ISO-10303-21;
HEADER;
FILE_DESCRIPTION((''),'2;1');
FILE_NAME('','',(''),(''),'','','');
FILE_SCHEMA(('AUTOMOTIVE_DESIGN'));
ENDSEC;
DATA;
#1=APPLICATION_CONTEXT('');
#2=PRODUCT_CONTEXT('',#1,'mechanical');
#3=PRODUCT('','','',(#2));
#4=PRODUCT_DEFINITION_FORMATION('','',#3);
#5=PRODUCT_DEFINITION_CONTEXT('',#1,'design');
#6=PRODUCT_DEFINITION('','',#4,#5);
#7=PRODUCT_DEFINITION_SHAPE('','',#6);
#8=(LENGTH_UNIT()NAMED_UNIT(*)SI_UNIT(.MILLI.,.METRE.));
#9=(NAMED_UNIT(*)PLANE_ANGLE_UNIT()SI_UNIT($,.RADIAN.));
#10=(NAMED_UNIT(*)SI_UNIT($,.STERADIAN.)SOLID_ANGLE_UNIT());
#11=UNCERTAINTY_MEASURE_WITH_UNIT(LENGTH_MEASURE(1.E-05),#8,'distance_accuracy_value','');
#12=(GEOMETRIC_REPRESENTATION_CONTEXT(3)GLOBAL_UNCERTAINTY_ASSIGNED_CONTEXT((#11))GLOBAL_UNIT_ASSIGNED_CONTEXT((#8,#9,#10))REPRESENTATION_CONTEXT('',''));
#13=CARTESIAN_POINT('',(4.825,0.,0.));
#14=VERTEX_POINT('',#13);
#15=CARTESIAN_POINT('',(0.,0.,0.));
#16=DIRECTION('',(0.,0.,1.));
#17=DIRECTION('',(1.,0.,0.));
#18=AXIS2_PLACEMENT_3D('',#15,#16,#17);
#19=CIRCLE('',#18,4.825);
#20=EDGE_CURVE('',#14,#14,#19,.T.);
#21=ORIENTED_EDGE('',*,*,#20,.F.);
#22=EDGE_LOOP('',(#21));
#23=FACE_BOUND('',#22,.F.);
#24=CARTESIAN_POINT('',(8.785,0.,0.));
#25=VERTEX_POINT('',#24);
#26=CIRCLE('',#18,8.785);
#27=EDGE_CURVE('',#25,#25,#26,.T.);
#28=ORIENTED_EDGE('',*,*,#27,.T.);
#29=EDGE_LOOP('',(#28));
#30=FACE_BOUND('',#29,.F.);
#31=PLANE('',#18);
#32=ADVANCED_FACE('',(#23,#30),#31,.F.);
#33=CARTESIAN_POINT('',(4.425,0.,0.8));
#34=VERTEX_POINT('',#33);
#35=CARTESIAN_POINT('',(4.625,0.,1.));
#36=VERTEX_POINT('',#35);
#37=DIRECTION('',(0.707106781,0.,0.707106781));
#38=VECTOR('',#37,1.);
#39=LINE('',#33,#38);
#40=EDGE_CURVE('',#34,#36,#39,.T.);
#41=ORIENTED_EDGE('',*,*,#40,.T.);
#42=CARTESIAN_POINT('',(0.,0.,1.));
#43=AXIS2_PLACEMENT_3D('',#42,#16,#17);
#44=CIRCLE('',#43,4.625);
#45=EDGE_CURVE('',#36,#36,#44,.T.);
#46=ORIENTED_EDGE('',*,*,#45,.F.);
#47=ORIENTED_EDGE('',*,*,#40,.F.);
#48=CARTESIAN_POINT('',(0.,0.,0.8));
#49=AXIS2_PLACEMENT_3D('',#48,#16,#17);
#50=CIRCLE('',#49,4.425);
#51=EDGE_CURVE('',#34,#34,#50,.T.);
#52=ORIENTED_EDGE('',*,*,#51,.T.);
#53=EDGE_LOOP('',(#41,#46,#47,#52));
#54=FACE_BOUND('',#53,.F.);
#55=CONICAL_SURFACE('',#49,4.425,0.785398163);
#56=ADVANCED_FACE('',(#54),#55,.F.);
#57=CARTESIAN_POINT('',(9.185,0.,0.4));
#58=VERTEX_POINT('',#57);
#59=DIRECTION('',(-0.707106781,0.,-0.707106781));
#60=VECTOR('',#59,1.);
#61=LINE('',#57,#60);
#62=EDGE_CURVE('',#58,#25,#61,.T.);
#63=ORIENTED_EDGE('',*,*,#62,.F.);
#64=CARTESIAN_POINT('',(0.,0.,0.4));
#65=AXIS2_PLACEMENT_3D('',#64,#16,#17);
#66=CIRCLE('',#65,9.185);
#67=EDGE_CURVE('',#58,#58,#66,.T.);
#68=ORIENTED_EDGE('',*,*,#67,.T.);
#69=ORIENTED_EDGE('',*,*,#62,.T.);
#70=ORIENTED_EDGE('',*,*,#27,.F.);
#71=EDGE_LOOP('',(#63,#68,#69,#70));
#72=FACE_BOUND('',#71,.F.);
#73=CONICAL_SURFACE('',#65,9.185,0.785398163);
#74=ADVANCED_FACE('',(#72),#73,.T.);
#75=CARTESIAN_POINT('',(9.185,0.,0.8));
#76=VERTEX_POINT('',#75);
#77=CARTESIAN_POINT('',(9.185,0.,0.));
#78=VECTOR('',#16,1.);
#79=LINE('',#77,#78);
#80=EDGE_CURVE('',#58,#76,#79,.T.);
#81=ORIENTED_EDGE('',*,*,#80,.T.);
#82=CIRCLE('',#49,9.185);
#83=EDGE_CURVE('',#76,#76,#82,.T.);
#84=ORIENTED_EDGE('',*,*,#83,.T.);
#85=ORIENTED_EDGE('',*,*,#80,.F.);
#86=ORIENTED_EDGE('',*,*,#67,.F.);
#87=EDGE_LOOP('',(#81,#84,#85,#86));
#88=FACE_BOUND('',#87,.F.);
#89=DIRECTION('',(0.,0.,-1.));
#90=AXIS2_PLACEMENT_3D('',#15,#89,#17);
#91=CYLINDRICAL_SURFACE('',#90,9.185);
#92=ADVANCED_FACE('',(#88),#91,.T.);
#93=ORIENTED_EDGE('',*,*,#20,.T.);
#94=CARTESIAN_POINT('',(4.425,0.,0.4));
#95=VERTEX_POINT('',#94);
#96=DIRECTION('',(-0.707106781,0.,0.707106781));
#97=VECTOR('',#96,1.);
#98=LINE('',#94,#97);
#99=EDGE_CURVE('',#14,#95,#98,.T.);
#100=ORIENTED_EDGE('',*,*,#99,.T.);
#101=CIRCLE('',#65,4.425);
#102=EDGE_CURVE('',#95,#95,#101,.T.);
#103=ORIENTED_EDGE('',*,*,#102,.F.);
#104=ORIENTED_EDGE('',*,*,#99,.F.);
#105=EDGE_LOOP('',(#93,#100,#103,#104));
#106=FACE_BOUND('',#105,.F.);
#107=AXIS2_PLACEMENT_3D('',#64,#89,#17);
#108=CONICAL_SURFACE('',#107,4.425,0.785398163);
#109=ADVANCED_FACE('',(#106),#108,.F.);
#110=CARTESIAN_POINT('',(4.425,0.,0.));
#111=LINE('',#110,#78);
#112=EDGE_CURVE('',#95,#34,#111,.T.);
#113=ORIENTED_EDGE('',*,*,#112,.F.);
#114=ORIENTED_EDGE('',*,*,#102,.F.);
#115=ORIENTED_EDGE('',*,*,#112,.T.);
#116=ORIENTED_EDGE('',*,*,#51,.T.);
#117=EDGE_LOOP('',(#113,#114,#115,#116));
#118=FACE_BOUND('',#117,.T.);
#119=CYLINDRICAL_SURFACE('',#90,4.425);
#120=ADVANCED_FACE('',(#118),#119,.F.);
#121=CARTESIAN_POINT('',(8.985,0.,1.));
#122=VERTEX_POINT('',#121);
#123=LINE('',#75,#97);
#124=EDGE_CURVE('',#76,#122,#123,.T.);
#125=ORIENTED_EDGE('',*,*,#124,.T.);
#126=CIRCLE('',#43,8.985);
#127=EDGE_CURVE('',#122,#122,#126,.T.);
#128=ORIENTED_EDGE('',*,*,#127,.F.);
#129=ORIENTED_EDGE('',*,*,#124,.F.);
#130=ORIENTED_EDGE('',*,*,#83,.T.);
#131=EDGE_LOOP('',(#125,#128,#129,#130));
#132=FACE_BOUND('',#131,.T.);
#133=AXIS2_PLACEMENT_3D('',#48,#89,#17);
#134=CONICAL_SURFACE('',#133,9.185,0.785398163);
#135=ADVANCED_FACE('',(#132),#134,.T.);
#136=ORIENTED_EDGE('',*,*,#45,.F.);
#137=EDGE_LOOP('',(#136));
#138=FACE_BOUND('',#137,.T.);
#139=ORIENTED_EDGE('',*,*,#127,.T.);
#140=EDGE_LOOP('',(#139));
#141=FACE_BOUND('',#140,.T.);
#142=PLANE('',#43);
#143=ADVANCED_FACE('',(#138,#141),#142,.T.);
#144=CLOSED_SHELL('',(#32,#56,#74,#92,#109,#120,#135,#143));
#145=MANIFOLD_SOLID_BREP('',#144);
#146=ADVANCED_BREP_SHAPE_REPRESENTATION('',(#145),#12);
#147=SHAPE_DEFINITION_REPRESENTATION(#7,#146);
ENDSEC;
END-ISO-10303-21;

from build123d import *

# Parameters (mm, degrees)
F1_R     = 9.185
F1_R_2   = 4.425
F2_DEPTH = 1
F5_SIZE  = 0.4
F6_SIZE  = 0.2
F7_SIZE  = 0.4
F8_SIZE  = 0.2


with BuildPart() as f2:
    # F1 (on Top) → F2 (new body)
    with BuildSketch(Plane.XY):
        Circle(F1_R)
        Circle(F1_R_2, mode=Mode.SUBTRACT)
    extrude(amount=F2_DEPTH)

    # F5
    f5_edges = [f2.edges().sort_by_distance(p)[0] for p in [
        (-9.185, 0, 0),
    ]]
    chamfer(f5_edges, length=F5_SIZE)

    # F6
    f6_edges = [f2.edges().sort_by_distance(p)[0] for p in [
        (-9.185, 0, 1),
    ]]
    chamfer(f6_edges, length=F6_SIZE)

    # F7
    f7_edges = [f2.edges().sort_by_distance(p)[0] for p in [
        (-4.425, 0, 0),
    ]]
    chamfer(f7_edges, length=F7_SIZE)

    # F8
    f8_edges = [f2.edges().sort_by_distance(p)[0] for p in [
        (-4.425, 0, 1),
    ]]
    chamfer(f8_edges, length=F8_SIZE)


solid = f2.part
